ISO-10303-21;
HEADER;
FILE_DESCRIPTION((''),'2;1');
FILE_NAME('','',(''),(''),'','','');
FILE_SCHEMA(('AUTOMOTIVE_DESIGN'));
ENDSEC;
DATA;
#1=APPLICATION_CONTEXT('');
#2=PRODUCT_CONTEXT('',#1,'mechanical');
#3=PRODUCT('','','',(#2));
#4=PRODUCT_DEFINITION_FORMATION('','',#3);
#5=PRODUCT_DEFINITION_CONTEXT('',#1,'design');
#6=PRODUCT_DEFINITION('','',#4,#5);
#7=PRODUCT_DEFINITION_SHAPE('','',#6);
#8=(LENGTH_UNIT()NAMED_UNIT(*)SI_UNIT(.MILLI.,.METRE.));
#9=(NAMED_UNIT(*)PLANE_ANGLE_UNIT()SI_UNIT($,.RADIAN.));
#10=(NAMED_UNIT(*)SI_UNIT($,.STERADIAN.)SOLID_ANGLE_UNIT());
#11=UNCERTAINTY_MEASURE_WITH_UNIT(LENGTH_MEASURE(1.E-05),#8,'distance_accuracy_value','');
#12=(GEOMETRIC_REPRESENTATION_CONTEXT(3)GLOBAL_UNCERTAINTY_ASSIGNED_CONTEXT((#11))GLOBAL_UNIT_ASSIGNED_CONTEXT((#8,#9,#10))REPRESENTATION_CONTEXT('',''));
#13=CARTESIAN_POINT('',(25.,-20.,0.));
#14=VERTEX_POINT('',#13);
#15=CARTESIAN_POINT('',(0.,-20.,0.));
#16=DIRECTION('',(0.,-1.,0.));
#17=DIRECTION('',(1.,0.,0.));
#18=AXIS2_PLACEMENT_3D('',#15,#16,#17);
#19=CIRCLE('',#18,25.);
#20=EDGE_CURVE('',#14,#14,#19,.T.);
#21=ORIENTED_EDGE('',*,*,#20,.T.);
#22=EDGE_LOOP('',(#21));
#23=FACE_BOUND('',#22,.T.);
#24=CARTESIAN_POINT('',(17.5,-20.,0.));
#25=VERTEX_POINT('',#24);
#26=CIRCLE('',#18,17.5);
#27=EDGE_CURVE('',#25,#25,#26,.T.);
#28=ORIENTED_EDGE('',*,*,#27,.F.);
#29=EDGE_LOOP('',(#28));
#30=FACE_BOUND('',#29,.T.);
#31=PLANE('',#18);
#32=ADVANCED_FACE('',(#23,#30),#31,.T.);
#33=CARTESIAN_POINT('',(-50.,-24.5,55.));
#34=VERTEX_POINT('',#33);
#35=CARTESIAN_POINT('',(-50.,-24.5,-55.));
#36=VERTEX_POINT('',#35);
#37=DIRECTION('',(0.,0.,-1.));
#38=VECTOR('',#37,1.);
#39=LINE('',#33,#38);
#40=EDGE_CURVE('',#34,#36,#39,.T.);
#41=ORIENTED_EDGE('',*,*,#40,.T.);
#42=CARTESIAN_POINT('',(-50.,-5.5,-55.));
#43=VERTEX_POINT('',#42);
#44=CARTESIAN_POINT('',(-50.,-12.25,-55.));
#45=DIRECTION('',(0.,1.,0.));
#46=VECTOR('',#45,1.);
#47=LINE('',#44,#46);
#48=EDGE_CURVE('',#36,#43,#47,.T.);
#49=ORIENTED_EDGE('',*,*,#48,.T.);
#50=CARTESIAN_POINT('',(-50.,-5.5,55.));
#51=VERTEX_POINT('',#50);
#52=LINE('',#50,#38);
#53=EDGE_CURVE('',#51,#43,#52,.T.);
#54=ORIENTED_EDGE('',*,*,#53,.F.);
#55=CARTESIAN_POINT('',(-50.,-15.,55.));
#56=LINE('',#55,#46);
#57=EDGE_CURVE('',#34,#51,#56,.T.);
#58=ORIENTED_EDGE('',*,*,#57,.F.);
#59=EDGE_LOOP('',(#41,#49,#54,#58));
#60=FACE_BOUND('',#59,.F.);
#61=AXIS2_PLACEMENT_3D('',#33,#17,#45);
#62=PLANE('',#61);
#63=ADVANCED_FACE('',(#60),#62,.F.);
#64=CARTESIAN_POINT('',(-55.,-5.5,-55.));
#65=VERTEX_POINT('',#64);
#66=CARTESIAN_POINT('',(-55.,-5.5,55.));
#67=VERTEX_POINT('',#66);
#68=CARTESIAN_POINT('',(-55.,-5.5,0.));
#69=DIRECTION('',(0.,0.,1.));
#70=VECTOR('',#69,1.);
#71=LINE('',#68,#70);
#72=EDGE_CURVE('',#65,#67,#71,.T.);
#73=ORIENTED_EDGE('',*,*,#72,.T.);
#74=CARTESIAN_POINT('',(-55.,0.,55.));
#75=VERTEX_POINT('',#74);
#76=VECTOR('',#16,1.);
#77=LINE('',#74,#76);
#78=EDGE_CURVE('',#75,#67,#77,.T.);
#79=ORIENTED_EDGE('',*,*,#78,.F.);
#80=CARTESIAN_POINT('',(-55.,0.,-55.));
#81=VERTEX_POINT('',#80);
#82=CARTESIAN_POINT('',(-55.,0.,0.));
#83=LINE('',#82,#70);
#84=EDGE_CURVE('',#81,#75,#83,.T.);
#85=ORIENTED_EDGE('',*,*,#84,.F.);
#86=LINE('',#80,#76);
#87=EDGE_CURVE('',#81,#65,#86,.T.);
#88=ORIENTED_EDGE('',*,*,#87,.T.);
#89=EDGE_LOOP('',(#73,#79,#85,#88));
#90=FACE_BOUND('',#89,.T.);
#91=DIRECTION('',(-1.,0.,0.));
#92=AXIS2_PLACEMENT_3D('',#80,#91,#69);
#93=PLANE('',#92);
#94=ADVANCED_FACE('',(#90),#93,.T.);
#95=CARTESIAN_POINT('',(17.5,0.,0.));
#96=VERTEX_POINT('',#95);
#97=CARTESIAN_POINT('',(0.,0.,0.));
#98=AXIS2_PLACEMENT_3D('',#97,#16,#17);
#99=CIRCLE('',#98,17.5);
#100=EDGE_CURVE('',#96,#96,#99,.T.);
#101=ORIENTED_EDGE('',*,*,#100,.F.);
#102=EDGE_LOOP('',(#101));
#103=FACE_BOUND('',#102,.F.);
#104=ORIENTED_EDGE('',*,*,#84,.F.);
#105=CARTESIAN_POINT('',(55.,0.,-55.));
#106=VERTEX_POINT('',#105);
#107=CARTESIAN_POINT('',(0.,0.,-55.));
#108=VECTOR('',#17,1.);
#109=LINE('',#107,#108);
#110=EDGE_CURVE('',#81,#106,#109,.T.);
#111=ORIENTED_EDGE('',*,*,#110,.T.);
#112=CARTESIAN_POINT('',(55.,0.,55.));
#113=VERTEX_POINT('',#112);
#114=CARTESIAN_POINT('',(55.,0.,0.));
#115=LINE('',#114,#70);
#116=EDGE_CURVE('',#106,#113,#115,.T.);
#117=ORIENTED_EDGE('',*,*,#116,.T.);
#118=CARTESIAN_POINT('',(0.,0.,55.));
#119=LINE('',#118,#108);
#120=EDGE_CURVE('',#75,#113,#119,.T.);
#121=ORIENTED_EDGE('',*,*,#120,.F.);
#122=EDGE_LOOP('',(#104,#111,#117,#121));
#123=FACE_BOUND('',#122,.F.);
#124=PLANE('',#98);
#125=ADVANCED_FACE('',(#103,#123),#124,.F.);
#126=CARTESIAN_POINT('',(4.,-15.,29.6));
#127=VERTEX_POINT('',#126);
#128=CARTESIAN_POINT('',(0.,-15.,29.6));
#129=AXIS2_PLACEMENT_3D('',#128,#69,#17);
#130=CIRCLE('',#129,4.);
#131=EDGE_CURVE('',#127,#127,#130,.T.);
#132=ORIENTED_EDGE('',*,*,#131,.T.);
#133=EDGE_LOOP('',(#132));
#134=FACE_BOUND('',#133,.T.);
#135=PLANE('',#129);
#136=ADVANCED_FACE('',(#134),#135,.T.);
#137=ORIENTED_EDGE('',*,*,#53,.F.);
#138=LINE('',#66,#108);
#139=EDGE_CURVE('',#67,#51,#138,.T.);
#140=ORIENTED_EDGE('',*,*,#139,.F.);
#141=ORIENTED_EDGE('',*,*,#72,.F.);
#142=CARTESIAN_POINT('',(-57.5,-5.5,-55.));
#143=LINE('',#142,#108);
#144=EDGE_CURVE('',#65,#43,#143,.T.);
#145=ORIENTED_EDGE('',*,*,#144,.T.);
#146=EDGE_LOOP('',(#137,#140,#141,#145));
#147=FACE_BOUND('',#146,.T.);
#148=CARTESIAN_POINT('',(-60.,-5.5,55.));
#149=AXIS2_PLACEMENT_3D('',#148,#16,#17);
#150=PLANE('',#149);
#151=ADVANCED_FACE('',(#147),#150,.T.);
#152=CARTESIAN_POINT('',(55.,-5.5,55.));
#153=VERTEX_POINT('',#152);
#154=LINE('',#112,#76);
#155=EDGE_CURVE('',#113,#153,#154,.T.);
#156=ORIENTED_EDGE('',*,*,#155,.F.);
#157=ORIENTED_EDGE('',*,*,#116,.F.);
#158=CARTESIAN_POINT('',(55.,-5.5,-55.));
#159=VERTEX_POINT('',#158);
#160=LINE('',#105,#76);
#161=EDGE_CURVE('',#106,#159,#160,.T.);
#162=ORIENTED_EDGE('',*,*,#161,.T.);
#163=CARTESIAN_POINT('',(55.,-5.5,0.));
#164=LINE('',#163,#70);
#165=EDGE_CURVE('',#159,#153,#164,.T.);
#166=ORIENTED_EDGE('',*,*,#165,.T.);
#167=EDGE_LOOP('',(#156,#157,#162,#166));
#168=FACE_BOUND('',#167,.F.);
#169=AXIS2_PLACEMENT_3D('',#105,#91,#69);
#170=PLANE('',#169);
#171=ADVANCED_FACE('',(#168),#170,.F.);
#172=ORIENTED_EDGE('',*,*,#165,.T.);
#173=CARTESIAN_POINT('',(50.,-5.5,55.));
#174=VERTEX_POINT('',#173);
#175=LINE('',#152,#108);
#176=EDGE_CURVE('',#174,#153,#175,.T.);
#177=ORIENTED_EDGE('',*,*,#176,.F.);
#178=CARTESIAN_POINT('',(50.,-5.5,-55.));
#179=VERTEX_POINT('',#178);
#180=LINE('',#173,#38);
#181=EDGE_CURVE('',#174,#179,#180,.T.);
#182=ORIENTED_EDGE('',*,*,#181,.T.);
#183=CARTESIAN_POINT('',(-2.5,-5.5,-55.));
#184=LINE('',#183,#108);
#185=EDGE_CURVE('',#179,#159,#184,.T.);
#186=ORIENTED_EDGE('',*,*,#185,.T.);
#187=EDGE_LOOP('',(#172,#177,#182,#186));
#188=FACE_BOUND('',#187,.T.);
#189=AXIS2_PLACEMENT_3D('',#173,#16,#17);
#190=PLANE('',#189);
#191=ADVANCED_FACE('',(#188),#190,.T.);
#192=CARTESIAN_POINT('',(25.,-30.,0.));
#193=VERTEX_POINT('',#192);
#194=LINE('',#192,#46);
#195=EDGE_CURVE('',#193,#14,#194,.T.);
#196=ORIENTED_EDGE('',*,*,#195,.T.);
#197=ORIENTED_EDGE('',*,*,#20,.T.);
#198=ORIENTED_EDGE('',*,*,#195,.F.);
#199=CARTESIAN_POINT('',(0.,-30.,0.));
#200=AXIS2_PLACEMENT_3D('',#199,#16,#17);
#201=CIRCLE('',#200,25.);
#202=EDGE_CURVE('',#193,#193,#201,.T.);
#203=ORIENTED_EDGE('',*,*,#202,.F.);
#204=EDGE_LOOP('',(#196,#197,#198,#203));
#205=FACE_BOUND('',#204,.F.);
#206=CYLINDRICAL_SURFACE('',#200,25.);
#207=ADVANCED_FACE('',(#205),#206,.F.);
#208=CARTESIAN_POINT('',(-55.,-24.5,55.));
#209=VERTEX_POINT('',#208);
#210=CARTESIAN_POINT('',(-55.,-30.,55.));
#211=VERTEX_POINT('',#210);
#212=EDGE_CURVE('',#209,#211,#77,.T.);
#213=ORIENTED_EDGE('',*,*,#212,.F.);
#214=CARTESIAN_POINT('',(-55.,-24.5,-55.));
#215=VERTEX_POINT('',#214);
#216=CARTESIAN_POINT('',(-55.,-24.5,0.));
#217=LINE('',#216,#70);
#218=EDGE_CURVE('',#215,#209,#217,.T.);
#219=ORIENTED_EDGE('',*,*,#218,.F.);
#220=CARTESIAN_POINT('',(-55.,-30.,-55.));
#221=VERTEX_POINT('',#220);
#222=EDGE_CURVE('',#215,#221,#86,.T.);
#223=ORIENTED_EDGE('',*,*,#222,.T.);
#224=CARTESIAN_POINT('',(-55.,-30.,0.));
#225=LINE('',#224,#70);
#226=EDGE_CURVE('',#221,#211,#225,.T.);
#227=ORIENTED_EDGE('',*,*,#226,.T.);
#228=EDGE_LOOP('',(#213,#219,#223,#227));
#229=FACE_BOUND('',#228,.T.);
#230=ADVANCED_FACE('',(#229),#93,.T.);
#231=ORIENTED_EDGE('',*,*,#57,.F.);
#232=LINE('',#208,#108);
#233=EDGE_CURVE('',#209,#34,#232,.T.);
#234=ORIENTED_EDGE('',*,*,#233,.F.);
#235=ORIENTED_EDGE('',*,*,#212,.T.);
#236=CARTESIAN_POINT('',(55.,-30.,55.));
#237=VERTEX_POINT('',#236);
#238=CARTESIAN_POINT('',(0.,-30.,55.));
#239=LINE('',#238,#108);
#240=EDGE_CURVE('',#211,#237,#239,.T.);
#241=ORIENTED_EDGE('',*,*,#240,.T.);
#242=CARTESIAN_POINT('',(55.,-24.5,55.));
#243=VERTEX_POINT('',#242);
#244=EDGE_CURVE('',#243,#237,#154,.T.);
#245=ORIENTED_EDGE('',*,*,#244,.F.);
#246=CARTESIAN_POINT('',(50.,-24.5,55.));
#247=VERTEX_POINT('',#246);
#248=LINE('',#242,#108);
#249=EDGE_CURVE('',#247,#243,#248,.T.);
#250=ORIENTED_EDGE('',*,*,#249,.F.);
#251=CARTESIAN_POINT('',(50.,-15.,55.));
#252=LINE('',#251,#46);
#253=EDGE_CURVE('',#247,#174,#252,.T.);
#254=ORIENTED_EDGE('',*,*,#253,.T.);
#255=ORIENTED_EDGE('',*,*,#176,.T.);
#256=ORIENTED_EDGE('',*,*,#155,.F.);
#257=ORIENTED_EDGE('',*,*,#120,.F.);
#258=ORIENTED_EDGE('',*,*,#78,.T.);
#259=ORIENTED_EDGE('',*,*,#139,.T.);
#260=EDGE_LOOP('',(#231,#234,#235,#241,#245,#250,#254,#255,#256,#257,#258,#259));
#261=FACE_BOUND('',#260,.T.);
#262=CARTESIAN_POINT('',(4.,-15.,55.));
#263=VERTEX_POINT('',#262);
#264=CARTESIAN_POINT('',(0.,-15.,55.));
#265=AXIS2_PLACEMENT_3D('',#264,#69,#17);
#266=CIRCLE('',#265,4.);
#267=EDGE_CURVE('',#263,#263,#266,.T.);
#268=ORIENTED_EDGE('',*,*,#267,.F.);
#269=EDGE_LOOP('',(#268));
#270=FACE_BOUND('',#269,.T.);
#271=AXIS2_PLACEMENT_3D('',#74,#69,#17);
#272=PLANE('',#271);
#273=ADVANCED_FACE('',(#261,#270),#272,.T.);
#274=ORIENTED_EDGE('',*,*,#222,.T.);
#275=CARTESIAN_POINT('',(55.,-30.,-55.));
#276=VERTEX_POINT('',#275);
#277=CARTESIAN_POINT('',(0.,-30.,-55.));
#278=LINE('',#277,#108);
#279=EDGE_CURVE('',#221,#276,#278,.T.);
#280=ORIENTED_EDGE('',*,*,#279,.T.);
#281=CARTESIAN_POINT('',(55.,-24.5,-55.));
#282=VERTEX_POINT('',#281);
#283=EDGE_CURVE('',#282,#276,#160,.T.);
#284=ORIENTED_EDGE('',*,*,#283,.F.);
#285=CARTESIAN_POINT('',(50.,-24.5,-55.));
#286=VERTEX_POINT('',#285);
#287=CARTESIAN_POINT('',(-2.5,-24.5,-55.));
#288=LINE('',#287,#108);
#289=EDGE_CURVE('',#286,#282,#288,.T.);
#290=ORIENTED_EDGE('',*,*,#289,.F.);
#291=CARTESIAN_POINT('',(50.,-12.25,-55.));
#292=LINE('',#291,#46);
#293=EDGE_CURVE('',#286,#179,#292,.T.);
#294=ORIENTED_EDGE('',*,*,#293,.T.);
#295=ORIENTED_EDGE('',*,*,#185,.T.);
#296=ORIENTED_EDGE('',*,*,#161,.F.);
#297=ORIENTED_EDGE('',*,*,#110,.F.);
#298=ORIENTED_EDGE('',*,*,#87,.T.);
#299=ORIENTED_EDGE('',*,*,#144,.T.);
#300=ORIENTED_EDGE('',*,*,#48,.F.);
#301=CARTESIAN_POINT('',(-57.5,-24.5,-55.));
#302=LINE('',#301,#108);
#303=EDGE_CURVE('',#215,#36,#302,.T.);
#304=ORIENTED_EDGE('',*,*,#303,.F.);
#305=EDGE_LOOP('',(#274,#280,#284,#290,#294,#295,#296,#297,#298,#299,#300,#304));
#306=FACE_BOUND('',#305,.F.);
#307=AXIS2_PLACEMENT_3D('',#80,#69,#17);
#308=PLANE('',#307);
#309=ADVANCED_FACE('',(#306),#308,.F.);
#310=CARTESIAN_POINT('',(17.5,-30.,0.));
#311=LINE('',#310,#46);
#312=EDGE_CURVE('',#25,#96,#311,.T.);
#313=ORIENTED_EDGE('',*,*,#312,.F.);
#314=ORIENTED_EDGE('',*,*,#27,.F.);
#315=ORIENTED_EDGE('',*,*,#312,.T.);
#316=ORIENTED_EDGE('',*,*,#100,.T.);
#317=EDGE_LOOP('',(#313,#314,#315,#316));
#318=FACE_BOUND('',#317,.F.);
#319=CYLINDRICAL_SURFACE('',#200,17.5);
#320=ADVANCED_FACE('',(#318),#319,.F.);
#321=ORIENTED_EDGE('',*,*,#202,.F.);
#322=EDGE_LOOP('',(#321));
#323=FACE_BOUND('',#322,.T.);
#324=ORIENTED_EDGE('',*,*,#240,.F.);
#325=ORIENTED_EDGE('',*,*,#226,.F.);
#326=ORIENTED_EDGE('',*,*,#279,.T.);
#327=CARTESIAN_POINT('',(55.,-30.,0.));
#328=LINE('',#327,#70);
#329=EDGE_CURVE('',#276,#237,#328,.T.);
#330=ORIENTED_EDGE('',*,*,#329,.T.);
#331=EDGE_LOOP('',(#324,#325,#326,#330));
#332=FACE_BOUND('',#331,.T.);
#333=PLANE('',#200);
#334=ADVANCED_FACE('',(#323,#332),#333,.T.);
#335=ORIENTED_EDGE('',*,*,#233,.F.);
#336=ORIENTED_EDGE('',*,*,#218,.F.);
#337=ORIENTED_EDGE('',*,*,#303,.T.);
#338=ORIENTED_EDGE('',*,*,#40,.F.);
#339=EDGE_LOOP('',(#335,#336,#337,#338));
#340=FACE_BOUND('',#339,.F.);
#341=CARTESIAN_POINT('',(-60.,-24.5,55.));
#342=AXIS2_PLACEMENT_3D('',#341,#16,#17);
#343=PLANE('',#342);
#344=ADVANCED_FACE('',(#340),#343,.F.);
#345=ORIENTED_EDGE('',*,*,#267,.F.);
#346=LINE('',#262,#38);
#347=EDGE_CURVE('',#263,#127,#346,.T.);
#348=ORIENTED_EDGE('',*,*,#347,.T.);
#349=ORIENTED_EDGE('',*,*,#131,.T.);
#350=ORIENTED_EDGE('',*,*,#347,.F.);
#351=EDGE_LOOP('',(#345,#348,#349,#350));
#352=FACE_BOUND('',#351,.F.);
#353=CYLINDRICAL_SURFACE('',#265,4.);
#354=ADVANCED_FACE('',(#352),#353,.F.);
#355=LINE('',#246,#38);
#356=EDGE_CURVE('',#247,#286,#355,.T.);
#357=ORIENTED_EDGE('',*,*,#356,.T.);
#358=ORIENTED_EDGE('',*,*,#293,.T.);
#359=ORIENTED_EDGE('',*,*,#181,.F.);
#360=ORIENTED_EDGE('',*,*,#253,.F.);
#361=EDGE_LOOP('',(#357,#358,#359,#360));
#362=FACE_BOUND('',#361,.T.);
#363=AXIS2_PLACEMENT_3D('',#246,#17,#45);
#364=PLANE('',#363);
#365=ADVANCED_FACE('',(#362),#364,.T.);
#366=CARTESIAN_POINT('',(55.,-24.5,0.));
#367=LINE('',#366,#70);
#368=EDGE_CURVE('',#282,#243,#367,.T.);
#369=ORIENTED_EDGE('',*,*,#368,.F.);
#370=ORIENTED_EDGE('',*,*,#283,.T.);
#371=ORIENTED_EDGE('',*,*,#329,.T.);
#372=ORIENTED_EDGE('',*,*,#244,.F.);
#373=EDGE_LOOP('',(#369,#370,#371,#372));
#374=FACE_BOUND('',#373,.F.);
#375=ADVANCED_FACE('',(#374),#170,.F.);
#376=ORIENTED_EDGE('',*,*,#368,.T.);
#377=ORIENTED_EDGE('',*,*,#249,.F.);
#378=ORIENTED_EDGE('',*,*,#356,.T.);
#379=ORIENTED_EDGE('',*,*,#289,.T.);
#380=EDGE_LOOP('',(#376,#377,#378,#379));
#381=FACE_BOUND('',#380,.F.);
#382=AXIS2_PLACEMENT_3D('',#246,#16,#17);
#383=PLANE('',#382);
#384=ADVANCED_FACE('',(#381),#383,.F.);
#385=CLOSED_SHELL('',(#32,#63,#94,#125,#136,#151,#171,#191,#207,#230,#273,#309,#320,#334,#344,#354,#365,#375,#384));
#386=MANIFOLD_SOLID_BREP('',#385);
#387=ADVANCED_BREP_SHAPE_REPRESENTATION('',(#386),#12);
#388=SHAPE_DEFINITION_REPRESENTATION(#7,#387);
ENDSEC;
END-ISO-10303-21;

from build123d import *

# Parameters (mm, degrees)
F0_W      = 110
F0_H      = 110
F1_DEPTH  = 30
F2_R      = 25
F2_R_2    = 17.5
F3_DEPTH  = 10
F3_FACE_R = 17.5
F4_DEPTH  = 30.001
F5_W      = 10
F5_H      = 19
F6_DEPTH  = 110.001
F7_R      = 4
F8_DEPTH  = 25.4


with BuildPart() as f1:
    # F0 (on Front) → F1 (new body)
    with BuildSketch(Plane.XZ):
        Rectangle(F0_W, F0_H)
    extrude(amount=F1_DEPTH)

    # F2 (on face) → F3 (cut)
    with BuildSketch(Plane.XZ.offset(30)):
        Circle(F2_R)
        Circle(F2_R_2, mode=Mode.SUBTRACT)
    extrude(amount=-F3_DEPTH, mode=Mode.SUBTRACT)

    # F3_face (on face) → F4 (cut, through all)
    with BuildSketch(Plane.XZ.offset(30)):
        Circle(F3_FACE_R)
    extrude(amount=-F4_DEPTH, mode=Mode.SUBTRACT)

    # F5 (on face) → F6 (cut, through all)
    with BuildSketch(Plane.XY.offset(55)):
        with Locations((-55, -15)):
            Rectangle(F5_W, F5_H)
        with Locations((55, -15)):
            Rectangle(F5_W, F5_H)
    extrude(amount=-F6_DEPTH, mode=Mode.SUBTRACT)

    # F7 (on face) → F8 (cut)
    with BuildSketch(Plane.XY.offset(55)):
        with Locations((0, -15)):
            Circle(F7_R)
    extrude(amount=-F8_DEPTH, mode=Mode.SUBTRACT)


solid = f1.part
